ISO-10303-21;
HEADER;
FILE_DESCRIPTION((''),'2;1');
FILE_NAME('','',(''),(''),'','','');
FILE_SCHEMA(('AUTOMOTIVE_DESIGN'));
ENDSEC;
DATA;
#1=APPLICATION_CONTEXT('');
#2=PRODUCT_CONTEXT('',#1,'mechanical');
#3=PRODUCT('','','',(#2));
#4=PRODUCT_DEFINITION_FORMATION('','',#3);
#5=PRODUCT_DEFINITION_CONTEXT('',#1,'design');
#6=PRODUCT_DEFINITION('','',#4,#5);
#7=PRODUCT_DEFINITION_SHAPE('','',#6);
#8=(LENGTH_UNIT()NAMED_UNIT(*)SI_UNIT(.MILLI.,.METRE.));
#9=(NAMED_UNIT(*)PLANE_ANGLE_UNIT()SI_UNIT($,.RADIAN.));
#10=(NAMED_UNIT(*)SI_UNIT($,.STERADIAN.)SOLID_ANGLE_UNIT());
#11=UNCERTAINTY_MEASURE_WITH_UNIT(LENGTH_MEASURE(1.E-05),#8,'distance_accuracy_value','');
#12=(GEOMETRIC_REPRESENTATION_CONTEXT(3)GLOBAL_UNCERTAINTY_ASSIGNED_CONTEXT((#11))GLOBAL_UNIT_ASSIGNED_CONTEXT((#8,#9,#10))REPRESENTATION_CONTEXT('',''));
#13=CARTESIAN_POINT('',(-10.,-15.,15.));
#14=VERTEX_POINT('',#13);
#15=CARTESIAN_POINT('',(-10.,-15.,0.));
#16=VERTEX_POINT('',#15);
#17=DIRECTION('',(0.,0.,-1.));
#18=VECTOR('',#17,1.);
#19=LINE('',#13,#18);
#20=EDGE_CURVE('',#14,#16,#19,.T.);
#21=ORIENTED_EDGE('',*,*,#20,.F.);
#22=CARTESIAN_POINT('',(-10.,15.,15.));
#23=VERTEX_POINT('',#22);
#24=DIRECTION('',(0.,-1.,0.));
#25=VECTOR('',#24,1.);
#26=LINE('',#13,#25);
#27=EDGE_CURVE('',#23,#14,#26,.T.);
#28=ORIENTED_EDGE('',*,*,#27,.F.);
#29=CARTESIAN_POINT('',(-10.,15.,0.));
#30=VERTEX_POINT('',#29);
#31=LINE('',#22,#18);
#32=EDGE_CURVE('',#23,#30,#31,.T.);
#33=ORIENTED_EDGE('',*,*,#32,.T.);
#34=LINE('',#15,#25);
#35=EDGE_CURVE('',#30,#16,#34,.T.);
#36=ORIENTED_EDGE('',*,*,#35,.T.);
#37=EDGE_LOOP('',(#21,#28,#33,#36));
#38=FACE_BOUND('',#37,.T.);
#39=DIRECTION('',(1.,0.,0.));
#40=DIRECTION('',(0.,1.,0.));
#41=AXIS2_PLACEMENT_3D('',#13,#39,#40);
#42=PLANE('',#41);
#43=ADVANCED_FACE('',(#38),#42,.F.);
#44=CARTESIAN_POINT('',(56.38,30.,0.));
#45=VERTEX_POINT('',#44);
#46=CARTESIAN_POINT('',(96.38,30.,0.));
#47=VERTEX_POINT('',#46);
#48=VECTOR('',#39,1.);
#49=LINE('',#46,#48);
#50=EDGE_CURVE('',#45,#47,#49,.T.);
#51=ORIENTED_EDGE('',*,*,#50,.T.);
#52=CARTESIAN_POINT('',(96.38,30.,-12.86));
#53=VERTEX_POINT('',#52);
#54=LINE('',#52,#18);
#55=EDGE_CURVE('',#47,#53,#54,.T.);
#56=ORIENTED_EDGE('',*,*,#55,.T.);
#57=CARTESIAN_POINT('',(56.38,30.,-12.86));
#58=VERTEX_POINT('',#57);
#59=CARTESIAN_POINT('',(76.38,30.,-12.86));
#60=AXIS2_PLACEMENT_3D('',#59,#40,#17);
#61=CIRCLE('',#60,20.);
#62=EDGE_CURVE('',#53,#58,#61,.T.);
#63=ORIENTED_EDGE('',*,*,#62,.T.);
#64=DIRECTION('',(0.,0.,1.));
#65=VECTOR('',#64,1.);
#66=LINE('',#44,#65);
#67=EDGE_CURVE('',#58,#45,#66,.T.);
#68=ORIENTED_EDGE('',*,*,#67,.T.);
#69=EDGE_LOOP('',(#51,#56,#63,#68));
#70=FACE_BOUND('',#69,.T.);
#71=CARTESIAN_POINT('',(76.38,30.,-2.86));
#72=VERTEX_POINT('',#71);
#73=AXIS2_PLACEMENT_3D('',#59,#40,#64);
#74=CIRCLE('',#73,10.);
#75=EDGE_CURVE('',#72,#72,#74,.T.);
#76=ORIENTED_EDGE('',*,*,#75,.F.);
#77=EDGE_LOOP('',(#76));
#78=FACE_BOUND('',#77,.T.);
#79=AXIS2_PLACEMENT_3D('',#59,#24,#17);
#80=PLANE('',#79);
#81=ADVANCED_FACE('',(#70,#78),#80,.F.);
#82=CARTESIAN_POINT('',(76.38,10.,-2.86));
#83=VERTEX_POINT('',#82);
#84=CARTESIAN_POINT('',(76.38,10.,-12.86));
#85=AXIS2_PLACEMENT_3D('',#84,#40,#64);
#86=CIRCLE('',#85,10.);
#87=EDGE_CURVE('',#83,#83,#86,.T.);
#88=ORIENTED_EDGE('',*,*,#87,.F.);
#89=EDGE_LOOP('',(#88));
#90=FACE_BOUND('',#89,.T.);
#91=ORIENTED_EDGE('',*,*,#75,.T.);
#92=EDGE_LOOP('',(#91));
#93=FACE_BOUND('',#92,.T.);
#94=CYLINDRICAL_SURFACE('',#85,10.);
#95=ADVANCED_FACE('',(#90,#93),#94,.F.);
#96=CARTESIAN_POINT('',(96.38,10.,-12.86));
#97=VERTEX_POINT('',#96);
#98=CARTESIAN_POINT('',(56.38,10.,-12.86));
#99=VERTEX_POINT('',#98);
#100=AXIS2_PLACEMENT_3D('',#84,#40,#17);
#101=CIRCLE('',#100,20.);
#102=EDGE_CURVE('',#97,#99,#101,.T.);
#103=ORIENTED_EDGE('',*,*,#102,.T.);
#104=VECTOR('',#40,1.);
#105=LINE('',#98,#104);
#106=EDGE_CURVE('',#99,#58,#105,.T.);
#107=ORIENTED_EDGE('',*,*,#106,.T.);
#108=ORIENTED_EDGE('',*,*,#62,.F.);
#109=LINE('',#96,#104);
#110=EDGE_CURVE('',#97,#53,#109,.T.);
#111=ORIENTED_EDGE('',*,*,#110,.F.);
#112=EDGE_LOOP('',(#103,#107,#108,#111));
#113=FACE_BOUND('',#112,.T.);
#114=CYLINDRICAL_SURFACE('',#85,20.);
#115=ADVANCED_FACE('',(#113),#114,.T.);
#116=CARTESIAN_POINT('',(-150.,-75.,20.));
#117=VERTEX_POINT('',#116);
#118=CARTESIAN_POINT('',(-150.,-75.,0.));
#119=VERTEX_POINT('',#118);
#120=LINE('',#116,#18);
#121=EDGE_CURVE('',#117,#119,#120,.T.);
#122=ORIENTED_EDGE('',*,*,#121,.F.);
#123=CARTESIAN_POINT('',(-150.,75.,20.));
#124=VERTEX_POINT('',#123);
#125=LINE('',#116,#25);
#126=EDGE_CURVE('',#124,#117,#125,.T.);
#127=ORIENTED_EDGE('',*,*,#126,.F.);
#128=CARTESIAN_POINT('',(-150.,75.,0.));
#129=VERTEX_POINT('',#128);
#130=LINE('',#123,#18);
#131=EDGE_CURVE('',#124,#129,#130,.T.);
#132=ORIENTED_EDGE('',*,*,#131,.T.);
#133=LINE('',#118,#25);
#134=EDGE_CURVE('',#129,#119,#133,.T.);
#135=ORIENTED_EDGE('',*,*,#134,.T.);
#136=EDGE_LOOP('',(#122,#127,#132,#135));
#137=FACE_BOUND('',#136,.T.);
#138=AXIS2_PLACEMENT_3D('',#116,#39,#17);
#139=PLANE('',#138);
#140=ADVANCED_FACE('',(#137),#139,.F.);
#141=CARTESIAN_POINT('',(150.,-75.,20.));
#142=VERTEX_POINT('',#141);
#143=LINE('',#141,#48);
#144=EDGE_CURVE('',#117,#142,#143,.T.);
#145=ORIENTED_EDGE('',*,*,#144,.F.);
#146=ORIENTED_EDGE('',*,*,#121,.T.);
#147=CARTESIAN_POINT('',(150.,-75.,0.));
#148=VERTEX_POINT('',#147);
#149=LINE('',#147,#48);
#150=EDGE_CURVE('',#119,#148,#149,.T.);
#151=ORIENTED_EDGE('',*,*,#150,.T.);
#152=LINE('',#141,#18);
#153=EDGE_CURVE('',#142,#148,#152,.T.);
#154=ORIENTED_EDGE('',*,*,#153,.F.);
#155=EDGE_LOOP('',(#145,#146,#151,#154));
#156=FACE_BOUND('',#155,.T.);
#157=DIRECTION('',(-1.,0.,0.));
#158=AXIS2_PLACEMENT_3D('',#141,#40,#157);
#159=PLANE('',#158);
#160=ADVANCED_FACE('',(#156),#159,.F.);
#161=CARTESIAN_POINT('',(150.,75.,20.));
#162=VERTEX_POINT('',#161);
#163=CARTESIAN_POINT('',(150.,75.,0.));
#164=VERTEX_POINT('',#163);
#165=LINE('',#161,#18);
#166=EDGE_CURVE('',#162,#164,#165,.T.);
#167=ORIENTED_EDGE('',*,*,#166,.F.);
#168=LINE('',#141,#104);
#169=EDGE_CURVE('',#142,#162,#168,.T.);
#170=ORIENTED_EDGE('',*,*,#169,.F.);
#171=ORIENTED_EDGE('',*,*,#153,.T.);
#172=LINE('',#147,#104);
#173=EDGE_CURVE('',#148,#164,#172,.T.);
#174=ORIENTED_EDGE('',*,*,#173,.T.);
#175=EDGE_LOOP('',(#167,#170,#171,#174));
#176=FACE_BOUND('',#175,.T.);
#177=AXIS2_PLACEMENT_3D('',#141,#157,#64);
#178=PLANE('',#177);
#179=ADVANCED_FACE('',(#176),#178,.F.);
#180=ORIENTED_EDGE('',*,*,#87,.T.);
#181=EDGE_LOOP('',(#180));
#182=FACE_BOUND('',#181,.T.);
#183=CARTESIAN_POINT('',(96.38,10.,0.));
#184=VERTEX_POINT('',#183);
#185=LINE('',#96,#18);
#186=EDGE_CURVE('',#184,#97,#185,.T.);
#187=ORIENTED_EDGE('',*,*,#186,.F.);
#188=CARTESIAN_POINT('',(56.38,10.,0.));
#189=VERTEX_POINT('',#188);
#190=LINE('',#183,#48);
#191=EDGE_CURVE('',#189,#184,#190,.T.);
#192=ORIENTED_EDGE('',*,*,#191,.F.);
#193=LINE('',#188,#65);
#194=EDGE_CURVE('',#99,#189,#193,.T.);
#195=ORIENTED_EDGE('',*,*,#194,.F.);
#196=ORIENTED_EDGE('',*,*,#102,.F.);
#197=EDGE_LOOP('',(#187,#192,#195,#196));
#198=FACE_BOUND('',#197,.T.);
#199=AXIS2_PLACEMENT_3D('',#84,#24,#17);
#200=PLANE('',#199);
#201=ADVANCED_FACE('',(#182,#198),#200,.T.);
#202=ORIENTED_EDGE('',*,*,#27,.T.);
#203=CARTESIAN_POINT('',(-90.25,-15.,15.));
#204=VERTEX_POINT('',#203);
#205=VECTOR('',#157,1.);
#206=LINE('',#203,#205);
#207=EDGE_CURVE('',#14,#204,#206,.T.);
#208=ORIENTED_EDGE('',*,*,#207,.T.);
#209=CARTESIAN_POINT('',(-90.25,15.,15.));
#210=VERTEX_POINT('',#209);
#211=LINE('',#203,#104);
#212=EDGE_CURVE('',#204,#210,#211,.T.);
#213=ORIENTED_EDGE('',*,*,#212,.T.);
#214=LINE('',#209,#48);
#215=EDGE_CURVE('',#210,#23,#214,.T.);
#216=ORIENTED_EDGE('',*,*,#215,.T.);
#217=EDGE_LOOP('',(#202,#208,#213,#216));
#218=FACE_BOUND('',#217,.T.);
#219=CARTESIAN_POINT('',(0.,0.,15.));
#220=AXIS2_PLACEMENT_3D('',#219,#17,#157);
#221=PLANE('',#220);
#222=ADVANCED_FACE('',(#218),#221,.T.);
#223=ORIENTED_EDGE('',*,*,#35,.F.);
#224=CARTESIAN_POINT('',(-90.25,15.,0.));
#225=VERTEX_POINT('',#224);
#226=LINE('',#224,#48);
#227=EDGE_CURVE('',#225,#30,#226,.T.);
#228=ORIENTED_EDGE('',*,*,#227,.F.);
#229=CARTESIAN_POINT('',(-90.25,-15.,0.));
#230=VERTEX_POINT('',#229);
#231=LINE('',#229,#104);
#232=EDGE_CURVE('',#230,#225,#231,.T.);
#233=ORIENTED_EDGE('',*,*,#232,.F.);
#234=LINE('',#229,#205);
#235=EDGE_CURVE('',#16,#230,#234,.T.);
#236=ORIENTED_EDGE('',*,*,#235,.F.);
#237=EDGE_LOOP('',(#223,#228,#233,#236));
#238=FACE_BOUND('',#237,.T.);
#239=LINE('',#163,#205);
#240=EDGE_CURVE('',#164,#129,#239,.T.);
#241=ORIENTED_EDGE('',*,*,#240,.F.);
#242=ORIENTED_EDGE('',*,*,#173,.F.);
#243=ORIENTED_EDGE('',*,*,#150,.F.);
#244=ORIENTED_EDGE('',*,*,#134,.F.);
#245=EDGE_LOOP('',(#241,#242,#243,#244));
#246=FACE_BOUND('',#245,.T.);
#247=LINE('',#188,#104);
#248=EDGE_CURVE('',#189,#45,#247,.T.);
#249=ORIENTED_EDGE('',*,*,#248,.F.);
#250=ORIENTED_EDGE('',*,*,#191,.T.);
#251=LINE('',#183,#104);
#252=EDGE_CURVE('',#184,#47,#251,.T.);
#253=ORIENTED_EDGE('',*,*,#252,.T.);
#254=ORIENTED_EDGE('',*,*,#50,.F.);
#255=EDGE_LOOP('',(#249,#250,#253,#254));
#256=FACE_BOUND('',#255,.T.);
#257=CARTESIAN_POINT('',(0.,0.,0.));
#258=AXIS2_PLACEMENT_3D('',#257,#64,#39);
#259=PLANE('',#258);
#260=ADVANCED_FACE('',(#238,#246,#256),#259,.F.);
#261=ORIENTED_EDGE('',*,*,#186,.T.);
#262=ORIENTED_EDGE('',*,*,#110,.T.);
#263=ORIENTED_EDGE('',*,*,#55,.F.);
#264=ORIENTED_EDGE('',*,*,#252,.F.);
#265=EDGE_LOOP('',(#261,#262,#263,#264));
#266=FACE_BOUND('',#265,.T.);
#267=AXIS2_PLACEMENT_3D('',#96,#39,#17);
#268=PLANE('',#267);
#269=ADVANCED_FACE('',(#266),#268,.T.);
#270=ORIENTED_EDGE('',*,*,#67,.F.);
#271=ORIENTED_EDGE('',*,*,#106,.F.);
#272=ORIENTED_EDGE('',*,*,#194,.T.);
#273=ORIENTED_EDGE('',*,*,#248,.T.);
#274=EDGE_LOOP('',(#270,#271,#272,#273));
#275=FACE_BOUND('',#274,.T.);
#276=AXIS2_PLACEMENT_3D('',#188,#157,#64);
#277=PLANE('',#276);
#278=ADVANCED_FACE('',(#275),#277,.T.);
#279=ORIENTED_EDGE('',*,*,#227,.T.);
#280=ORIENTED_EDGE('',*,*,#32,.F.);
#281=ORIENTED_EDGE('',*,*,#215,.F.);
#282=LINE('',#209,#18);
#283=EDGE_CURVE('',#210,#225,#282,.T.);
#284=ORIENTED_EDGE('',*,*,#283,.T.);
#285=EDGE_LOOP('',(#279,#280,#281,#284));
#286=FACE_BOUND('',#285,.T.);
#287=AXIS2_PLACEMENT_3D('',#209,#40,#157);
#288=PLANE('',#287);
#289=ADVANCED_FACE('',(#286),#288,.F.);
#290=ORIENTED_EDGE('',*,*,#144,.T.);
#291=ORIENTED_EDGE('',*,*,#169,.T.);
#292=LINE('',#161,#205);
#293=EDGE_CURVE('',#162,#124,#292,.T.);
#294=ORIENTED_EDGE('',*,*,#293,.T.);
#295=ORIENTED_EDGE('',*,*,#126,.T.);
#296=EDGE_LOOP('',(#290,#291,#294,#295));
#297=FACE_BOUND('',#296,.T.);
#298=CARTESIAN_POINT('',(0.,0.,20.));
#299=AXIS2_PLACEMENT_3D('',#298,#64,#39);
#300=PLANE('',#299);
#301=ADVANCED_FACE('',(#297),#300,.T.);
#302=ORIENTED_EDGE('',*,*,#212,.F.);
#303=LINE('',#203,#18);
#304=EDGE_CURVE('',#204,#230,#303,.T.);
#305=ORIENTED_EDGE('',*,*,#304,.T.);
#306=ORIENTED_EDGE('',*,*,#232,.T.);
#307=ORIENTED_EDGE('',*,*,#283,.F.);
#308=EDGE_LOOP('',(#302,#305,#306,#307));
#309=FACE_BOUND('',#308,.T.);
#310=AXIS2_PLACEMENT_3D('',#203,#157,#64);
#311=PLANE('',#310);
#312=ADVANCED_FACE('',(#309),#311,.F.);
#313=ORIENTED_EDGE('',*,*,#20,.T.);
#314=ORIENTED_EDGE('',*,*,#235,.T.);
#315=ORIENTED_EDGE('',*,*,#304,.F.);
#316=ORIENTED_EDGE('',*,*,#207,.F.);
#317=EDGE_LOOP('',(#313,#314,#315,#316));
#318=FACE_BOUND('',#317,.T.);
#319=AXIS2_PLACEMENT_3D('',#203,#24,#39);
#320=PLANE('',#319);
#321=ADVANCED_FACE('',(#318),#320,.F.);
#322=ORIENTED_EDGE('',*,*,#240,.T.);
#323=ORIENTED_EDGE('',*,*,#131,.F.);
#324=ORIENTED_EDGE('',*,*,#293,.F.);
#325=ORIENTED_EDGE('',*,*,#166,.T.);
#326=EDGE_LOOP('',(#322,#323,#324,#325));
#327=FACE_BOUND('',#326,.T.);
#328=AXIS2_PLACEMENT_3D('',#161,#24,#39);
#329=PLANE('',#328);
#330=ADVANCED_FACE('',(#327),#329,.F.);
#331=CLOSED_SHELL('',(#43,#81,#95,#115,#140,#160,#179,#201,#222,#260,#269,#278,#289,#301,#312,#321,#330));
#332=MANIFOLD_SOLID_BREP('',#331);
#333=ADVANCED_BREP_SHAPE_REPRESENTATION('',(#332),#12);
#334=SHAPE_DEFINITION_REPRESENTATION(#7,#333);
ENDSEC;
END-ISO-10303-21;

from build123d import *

# Parameters (mm, degrees)
SKETCH1_W           = 300
SKETCH1_H           = 150
BOSS_EXTRUDE1_DEPTH = 20
SKETCH2_W           = 80.25
SKETCH2_H           = 30
CUT_EXTRUDE1_DEPTH  = 15
SKETCH3_R           = 10
BOSS_EXTRUDE2_DEPTH = 20


with BuildPart() as part:
    # Sketch1 → Boss-Extrude1 (new body)
    with BuildSketch(Plane.XY):
        Rectangle(SKETCH1_W, SKETCH1_H)
    extrude(amount=BOSS_EXTRUDE1_DEPTH)

    # Sketch2 → Cut-Extrude1 (cut)
    with BuildSketch(Plane(origin=(0, 0, 0), x_dir=(-1, 0, 0), z_dir=(0, 0, -1))):
        with Locations((50.125, 0)):
            Rectangle(SKETCH2_W, SKETCH2_H)
    extrude(amount=-CUT_EXTRUDE1_DEPTH, mode=Mode.SUBTRACT)

    # Sketch3 → Boss-Extrude2 (add)
    with BuildSketch(Plane(origin=(0, 30, 0), x_dir=(1, 0, 0), z_dir=(0, 1, 0))):
        with BuildLine():
            Line((56.38, 0), (56.38, 12.86))
            ThreePointArc((56.38, 12.86), (76.38, 32.86), (96.38, 12.86))
            Line((96.38, 12.86), (96.38, 0))
            Line((96.38, 0), (56.38, 0))
        make_face()
        with Locations((76.38, 12.86)):
            Circle(SKETCH3_R, mode=Mode.SUBTRACT)
    extrude(amount=-BOSS_EXTRUDE2_DEPTH)


solid = part.part
